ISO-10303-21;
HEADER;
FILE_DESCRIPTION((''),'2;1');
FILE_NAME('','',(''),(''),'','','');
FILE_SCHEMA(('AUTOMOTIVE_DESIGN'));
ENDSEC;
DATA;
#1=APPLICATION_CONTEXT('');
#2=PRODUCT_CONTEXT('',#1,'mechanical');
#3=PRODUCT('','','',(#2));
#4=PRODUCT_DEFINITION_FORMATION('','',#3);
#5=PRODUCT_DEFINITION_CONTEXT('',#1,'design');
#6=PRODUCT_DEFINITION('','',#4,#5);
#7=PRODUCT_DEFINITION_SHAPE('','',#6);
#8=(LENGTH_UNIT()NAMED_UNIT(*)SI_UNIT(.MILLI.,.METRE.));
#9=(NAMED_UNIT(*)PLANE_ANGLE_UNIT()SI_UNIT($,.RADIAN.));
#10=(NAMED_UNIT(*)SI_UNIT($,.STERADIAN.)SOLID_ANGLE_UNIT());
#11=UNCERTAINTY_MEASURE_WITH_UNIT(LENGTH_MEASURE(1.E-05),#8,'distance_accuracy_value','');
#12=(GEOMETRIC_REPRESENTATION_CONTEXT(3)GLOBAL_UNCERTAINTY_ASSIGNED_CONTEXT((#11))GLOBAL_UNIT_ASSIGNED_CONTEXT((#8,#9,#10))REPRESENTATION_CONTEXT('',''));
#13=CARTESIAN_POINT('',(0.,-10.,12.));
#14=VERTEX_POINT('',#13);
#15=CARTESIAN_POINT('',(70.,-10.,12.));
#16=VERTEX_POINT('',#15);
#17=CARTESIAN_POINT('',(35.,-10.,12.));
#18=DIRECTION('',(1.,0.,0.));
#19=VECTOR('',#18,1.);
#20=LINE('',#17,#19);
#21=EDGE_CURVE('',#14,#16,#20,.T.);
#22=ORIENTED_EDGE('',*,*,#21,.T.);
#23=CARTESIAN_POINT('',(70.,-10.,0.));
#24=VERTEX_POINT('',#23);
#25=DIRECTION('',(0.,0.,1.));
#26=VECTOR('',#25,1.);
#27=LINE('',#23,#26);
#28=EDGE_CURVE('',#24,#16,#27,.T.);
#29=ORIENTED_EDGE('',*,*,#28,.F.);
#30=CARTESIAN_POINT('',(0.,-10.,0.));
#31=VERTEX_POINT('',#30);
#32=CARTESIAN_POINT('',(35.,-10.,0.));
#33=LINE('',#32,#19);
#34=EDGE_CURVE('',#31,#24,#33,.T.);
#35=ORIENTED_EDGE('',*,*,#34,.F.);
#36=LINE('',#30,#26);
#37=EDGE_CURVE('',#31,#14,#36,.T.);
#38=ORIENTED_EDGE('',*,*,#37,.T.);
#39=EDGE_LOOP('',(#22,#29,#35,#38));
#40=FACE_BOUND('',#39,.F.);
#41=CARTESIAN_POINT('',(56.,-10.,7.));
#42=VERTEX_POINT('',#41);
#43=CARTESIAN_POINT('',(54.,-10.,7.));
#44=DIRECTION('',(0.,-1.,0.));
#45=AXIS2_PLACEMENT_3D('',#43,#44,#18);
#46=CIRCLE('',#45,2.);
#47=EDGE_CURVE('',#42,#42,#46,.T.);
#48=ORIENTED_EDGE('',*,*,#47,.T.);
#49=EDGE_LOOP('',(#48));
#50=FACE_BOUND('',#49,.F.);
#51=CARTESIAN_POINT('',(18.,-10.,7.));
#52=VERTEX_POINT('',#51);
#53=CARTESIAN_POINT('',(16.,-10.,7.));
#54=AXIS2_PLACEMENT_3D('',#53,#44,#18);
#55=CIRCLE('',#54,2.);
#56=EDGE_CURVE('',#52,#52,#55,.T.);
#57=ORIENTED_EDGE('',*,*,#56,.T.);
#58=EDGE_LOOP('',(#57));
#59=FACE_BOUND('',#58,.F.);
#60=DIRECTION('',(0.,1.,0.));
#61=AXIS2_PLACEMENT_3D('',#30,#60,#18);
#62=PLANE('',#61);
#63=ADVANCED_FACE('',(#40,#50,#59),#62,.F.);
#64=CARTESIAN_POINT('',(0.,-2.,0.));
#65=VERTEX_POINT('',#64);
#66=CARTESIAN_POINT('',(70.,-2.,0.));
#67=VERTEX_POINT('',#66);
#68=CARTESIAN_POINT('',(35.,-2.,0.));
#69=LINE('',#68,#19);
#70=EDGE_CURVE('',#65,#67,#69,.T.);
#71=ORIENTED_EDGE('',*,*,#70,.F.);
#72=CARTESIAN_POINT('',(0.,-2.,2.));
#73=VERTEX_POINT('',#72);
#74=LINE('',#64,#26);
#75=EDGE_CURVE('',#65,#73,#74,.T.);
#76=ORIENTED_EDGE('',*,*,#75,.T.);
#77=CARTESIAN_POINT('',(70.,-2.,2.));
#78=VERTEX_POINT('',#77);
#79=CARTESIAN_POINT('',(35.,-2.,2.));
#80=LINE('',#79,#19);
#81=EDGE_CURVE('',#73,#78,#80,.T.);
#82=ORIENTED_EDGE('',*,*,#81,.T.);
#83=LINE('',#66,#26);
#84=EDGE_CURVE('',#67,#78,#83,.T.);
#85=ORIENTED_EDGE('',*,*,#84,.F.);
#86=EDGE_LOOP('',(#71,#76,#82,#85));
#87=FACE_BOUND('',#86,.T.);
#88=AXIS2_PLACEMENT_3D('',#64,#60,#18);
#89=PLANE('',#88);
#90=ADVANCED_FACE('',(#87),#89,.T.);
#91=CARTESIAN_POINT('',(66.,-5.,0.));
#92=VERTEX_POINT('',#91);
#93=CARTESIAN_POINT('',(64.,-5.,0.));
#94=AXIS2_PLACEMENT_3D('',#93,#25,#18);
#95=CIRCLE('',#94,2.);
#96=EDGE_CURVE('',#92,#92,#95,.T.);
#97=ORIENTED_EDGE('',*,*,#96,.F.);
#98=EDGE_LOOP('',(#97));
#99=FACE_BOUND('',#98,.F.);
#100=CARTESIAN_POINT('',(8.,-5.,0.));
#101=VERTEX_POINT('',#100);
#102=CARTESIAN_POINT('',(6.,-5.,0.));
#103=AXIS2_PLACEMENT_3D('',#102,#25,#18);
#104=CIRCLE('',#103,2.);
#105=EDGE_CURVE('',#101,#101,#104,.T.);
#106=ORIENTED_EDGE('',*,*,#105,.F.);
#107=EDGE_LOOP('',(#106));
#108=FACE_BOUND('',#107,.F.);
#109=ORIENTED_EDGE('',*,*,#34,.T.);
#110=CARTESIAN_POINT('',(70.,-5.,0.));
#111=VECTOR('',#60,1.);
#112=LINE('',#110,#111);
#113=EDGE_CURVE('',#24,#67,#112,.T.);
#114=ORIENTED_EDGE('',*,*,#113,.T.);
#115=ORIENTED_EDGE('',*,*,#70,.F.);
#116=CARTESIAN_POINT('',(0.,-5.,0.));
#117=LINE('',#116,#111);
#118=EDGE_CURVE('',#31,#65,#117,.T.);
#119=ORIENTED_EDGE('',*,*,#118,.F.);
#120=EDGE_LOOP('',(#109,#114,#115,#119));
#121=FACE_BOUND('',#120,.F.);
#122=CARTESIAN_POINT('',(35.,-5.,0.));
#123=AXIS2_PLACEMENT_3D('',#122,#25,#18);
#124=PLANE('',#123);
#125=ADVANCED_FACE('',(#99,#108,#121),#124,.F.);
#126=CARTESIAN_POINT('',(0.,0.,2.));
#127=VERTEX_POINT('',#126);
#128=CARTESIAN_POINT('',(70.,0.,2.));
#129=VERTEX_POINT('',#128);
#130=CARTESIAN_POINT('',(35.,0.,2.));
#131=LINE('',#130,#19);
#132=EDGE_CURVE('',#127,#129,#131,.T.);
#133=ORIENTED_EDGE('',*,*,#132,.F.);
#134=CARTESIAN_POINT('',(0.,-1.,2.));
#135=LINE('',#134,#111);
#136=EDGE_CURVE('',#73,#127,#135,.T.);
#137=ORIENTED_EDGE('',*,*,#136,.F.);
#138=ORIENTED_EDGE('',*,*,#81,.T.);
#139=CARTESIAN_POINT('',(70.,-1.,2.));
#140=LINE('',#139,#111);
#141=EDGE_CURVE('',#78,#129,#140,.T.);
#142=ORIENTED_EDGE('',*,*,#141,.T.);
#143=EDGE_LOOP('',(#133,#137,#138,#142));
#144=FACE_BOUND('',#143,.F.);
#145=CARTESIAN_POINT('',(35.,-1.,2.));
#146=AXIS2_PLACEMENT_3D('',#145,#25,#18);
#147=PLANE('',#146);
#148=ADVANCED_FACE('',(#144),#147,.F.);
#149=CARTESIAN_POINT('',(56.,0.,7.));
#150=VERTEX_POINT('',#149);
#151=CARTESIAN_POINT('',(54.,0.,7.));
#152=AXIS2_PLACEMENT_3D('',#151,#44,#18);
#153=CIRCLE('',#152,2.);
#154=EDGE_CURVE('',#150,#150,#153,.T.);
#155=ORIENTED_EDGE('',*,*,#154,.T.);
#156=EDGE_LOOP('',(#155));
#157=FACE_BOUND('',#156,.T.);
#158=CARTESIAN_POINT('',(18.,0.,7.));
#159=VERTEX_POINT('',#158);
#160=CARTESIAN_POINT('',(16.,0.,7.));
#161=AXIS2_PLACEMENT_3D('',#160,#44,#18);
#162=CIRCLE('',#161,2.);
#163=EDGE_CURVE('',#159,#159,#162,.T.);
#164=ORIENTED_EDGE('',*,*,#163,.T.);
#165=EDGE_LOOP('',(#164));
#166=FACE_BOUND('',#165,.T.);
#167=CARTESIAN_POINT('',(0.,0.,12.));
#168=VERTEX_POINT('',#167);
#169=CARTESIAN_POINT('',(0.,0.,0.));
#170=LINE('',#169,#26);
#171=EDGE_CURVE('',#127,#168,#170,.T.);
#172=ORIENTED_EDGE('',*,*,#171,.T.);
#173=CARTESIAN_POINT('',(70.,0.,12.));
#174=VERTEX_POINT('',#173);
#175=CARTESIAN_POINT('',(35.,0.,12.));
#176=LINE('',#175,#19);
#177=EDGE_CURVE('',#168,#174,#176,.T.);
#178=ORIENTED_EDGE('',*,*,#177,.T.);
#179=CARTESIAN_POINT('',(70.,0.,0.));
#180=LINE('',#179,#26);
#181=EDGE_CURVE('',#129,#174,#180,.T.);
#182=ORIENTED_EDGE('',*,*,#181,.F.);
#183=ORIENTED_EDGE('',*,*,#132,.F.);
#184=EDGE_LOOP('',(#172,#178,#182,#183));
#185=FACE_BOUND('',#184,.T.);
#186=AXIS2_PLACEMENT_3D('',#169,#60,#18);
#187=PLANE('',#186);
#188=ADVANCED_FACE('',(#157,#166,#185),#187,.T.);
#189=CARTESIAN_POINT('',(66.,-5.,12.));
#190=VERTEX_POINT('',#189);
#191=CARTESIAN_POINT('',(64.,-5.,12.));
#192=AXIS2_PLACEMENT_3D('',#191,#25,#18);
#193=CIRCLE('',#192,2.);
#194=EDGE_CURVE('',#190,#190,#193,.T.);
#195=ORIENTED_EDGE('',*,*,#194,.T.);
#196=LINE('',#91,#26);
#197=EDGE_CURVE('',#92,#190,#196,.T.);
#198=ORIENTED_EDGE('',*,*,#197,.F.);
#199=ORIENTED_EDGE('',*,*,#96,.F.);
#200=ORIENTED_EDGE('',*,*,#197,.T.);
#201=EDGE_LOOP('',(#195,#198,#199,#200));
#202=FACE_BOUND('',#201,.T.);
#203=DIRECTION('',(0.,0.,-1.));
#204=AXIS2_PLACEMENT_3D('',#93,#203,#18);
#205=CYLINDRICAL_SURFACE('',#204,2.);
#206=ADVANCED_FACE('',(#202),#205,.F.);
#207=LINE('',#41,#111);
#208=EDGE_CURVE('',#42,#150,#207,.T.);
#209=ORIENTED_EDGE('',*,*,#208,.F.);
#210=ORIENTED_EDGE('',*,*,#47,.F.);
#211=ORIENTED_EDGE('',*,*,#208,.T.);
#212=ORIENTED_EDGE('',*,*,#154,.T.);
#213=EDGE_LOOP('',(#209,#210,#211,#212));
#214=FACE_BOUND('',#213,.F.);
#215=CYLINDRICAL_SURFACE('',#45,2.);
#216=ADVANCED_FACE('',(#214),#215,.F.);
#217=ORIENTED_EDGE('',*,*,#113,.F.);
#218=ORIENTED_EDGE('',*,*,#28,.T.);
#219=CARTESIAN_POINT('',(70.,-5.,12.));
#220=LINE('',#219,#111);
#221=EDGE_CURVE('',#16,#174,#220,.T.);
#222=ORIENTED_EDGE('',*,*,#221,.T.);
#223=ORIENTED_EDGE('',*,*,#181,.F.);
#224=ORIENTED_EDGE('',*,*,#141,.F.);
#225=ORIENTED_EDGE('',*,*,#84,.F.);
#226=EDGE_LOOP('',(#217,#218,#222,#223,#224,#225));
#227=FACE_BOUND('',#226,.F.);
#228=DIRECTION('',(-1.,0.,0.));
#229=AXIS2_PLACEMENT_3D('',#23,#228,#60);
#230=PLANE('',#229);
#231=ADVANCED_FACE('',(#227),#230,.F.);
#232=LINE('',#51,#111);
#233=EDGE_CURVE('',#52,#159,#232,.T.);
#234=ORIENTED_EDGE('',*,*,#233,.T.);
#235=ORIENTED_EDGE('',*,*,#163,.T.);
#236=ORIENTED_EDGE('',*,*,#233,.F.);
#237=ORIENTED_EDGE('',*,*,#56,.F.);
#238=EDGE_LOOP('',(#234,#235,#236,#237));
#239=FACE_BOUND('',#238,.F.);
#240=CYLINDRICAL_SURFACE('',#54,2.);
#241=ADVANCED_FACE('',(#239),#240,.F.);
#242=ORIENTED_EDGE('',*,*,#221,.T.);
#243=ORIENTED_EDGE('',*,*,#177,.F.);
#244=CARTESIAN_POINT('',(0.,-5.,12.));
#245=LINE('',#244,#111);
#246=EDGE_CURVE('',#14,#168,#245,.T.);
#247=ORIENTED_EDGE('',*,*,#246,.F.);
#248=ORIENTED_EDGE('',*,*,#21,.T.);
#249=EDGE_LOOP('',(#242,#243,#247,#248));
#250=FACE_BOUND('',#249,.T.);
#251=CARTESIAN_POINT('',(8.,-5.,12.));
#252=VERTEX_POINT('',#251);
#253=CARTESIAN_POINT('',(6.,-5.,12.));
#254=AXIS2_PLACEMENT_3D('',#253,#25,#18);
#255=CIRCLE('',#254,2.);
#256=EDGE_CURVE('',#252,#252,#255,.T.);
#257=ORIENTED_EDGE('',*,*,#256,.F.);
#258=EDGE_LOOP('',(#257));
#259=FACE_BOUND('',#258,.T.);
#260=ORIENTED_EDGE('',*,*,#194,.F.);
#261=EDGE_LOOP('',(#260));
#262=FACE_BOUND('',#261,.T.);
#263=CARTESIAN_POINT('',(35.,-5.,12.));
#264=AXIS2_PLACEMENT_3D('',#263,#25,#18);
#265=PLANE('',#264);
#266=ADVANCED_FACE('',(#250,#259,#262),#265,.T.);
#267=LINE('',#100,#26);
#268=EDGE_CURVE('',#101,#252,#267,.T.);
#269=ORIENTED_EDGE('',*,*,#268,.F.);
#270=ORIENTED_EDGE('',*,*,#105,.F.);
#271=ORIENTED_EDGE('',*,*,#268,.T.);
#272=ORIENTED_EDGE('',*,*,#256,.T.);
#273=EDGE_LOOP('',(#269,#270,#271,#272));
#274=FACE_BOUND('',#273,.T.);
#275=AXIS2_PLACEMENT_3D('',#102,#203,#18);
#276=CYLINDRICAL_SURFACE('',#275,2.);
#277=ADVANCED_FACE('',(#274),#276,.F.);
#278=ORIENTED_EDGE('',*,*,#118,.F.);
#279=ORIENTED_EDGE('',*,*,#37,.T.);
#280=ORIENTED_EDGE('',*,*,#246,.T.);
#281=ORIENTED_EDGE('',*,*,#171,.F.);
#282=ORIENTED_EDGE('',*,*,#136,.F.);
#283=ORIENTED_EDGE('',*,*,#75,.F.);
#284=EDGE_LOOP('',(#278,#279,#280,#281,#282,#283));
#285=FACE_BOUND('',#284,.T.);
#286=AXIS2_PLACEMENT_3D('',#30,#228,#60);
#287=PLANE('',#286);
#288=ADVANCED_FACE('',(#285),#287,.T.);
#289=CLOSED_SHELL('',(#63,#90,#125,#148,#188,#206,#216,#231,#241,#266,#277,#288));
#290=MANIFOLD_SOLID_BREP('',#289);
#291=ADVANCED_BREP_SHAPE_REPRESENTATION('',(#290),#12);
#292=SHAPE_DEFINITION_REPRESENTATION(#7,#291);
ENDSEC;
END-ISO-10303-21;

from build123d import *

# Parameters (mm, degrees)
F0_W     = 70
F0_H     = 10
F0_R     = 2
F1_DEPTH = 12
F2_W     = 70
F2_H     = 2
F3_DEPTH = 2
F4_R     = 2
F5_DEPTH = 25


with BuildPart() as f1:
    # F0 (on Top) → F1 (new body)
    with BuildSketch(Plane.XY):
        with Locations((35, -5)):
            Rectangle(F0_W, F0_H)
        with Locations((6, -5)):
            Circle(F0_R, mode=Mode.SUBTRACT)
        with Locations((64, -5)):
            Circle(F0_R, mode=Mode.SUBTRACT)
    extrude(amount=F1_DEPTH)

    # F2 (on Top) → F3 (cut)
    with BuildSketch(Plane.XY):
        with Locations((35, -1)):
            Rectangle(F2_W, F2_H)
    extrude(amount=F3_DEPTH, mode=Mode.SUBTRACT)

    # F4 (on face) → F5 (cut)
    with BuildSketch(Plane.XZ.offset(10)):
        with Locations((16, 7)):
            Circle(F4_R)
        with Locations((54, 7)):
            Circle(F4_R)
    extrude(amount=-F5_DEPTH, mode=Mode.SUBTRACT)


solid = f1.part
